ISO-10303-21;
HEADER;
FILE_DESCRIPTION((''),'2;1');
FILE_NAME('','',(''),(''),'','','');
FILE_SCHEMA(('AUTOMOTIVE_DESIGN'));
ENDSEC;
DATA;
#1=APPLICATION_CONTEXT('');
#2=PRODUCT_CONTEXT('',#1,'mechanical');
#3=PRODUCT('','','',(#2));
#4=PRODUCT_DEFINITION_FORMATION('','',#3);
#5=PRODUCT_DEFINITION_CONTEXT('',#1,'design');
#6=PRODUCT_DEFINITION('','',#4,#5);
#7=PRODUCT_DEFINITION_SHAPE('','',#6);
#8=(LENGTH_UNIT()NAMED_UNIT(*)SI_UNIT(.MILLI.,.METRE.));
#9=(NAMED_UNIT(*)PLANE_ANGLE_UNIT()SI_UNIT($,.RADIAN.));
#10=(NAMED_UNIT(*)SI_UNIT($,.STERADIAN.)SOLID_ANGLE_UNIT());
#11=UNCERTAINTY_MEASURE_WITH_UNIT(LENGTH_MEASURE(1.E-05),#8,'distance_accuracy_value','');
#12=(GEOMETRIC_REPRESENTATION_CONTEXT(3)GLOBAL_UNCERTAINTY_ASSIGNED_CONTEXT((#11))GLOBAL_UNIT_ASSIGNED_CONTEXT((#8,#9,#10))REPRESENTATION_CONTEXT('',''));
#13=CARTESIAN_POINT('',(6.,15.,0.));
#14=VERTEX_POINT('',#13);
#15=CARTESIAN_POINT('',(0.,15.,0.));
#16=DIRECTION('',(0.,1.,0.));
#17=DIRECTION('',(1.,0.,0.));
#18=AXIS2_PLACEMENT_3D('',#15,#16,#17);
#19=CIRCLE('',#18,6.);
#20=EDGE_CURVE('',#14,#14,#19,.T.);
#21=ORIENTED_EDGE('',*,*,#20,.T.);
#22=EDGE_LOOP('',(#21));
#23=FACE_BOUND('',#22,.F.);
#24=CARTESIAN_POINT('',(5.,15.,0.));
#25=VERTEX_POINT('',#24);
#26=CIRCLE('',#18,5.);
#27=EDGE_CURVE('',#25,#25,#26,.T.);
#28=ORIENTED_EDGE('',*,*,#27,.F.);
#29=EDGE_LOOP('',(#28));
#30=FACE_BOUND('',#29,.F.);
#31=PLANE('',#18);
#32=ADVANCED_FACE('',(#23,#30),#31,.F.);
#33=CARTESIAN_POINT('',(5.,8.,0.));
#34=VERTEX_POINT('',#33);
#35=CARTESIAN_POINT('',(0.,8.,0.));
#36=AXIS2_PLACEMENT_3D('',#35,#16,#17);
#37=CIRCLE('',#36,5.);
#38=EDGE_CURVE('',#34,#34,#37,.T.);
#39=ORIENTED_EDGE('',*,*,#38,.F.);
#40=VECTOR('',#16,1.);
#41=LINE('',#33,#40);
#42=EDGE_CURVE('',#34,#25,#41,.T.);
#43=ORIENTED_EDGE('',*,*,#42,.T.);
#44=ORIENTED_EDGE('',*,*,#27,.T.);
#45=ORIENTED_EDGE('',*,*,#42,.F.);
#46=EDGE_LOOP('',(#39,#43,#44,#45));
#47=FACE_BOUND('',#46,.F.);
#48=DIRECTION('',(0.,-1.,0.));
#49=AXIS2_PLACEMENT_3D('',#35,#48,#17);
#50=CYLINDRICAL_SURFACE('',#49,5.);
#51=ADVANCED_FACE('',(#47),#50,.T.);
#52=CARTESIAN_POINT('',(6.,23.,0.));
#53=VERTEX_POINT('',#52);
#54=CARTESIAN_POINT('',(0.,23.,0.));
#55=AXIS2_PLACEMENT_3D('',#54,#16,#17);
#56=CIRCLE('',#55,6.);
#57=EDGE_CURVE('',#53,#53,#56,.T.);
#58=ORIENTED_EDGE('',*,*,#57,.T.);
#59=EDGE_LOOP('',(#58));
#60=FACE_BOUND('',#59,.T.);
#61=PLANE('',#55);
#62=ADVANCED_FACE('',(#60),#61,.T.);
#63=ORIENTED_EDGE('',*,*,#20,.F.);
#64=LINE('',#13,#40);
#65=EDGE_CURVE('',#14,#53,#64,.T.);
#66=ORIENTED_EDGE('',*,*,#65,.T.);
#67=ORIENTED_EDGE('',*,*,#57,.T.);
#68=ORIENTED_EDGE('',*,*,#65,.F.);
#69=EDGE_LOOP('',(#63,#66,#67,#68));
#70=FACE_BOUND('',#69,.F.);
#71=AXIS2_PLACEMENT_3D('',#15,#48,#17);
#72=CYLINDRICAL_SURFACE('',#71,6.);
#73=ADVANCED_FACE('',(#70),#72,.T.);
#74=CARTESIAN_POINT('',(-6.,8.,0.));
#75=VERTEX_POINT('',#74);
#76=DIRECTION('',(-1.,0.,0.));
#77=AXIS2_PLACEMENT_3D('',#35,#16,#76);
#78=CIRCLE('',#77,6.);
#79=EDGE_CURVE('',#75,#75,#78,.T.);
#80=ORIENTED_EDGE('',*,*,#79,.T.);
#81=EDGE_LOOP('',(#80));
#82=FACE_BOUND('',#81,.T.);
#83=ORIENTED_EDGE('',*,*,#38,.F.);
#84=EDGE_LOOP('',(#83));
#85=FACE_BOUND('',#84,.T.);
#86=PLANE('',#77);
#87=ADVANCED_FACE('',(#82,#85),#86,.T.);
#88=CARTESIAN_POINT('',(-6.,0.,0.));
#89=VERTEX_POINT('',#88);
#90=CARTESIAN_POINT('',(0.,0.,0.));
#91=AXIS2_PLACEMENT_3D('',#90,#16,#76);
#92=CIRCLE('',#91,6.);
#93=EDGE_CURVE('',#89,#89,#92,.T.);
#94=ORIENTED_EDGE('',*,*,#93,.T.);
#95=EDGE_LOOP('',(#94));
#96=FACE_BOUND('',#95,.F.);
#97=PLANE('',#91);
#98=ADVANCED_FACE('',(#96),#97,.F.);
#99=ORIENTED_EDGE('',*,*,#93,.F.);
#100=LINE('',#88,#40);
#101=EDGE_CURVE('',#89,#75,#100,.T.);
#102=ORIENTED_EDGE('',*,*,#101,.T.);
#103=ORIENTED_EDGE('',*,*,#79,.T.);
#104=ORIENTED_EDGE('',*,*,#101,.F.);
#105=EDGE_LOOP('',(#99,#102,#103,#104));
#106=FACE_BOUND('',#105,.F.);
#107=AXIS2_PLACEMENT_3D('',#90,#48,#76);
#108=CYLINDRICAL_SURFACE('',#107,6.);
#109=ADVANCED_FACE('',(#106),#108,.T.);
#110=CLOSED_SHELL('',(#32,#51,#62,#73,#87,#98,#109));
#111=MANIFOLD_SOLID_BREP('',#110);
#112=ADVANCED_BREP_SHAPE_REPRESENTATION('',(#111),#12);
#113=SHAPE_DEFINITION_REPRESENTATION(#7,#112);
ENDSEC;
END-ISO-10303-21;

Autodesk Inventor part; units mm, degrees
ref_plane "YZ Plane" through (0, 0, 0) normal (1, 0, 0) x (0, 1, 0)
ref_plane "XZ Plane" through (0, 0, 0) normal (0, 1, 0) x (-1, 0, 0)
ref_plane "XY Plane" through (0, 0, 0) normal (0, 0, 1) x (1, 0, 0)
sketch "Sketch1" plane through (0, 0, 0) normal (0, 1, 0) x (-1, 0, 0)
  circle A0 centre (0, 0) radius 6
  dimension "d0" = 12
extrude "Extrusion1" add sketch "Sketch1" along normal blind 8
sketch "Sketch2" plane through (0, 8, 0) normal (0, 1, 0) x (1, 0, 0)
  circle A0 centre (0, 0) radius 5
  dimension "d3" = 10
extrude "Extrusion2" add sketch "Sketch2" along normal blind 7
sketch "Sketch3" plane through (0, 15, 0) normal (0, 1, 0) x (1, 0, 0)
  circle A0 centre (0, 0) radius 6
extrude "Extrusion3" add sketch "Sketch3" along normal blind 8
properties part number "coupling_shaft3"
